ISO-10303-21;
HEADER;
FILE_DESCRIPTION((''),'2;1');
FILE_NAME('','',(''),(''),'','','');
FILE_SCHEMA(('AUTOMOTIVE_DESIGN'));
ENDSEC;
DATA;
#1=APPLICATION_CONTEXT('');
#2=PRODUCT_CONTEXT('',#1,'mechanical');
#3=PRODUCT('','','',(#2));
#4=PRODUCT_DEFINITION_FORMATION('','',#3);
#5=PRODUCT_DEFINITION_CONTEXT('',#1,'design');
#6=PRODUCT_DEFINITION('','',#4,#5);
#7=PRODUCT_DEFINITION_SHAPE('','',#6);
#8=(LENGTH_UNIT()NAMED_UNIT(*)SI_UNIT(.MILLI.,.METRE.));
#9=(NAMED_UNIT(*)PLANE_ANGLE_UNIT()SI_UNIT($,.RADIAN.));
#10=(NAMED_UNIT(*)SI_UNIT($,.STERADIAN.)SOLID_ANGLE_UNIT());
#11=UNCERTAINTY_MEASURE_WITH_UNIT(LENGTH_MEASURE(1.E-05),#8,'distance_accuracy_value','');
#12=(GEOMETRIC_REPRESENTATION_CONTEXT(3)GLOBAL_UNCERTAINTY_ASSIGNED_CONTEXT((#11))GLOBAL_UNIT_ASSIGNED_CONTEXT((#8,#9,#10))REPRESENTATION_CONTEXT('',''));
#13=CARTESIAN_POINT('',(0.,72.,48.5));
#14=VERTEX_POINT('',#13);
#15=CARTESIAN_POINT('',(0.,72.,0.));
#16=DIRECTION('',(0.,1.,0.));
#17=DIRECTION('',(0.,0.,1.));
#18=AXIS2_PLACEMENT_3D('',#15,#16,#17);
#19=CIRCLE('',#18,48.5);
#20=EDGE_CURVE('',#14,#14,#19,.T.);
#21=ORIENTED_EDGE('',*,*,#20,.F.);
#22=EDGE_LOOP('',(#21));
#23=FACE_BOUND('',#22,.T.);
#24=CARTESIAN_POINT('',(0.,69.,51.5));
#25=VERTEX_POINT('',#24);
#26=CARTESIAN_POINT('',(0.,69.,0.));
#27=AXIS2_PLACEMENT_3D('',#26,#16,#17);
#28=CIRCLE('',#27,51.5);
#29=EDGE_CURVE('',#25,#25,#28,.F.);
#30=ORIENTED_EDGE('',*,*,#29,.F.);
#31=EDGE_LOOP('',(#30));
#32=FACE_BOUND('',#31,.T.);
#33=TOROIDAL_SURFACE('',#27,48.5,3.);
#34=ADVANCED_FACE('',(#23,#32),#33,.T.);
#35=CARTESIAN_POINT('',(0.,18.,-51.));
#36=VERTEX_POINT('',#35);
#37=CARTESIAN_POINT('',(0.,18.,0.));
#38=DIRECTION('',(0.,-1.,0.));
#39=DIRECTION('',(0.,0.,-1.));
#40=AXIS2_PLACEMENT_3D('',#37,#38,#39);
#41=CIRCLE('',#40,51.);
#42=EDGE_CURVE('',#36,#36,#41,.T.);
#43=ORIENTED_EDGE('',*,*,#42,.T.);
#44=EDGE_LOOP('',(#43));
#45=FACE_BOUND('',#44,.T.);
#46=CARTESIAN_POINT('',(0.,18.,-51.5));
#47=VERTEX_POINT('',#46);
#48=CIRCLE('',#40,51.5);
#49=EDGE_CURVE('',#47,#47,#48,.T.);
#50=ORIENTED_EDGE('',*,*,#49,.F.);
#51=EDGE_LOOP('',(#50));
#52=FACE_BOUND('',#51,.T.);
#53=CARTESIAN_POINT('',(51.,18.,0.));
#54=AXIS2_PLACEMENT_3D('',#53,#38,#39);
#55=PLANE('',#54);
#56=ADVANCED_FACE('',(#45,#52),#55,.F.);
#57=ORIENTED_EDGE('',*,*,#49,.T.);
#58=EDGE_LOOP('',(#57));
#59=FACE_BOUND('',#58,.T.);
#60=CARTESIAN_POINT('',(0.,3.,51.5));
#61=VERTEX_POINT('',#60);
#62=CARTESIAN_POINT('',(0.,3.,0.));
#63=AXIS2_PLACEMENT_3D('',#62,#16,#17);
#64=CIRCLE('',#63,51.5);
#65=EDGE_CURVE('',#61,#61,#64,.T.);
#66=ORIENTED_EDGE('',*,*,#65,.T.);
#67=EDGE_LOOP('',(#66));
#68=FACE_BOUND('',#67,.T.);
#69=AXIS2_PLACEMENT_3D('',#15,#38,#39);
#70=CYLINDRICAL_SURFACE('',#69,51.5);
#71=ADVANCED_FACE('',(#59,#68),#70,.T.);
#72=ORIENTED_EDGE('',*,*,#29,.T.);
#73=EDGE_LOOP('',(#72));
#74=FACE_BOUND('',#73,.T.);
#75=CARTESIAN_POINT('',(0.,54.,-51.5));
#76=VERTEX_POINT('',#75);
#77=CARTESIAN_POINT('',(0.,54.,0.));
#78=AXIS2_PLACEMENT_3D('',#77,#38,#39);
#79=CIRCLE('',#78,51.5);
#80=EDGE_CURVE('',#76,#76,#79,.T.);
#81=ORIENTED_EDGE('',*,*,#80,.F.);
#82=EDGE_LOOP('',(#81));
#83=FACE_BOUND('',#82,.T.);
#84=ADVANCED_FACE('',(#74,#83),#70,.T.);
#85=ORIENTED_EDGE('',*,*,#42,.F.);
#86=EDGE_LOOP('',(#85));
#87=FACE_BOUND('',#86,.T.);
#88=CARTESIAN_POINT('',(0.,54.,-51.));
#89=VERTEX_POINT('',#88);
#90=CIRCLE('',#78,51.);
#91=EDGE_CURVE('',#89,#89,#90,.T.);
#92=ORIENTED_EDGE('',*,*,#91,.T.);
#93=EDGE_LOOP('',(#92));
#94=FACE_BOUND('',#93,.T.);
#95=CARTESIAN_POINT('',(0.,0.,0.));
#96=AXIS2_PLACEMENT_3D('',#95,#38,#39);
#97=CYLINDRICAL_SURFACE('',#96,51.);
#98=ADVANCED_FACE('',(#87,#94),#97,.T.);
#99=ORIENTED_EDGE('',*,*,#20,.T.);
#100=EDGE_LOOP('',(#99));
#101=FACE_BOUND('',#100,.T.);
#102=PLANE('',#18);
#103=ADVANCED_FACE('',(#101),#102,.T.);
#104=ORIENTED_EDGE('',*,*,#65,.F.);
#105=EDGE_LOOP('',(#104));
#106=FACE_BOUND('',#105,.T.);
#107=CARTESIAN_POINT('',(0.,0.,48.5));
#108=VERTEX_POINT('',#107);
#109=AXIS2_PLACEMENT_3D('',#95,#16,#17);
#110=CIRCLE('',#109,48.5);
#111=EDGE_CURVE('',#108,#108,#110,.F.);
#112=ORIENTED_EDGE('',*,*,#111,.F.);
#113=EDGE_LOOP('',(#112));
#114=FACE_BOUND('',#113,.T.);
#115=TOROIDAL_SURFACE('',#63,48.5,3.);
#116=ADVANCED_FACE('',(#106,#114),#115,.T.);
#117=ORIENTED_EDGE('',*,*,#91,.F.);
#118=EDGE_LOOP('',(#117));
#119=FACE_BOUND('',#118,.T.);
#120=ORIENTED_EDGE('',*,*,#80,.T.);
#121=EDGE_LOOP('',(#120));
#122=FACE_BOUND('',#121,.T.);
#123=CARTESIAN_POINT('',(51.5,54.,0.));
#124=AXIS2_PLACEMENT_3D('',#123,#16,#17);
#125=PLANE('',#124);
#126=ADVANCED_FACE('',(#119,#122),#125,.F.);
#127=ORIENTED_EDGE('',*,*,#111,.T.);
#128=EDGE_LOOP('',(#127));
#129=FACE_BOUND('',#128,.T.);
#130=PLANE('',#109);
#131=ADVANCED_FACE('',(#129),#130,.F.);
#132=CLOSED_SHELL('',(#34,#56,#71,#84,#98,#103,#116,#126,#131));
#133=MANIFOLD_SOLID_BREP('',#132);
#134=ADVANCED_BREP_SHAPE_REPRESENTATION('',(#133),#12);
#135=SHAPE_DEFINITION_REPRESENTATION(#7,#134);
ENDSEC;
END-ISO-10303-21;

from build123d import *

# Parameters (mm, degrees)
SKETCH_1_R      = 51.5
EXTRUDE_1_DEPTH = 72
FILLET_1_R      = 3


with BuildPart() as part:
    # 草图1 → 凸台-拉伸1 (new body)
    with BuildSketch(Plane(origin=(0, 0, 0), x_dir=(1, 0, 0), z_dir=(0, 1, 0))):
        with Locations(Location((0, 0, 0), (0, 0, 270))):
            Circle(SKETCH_1_R)
    extrude(amount=EXTRUDE_1_DEPTH)

    # 圆角1
    fillet_1_edges = [part.edges().sort_by_distance(p)[0] for p in [
        (0, 0, -51.5),
        (0, 72, -51.5),
    ]]
    fillet(fillet_1_edges, radius=FILLET_1_R)

    # 草图2 → 切除-旋转1 (revolve, cut)
    with BuildSketch(Plane.XY, mode=Mode.PRIVATE) as cut_revolve_1_sk:
        Polygon((51.5, 36), (51.5, 54), (51, 54), (51, 18), (51.5, 18), align=None)
    revolve(cut_revolve_1_sk.sketch.rotate(Axis((0, 0, 0), (0, 1, 0)), 90), axis=Axis((0, 0, 0), (0, 1, 0)), mode=Mode.SUBTRACT)


solid = part.part
